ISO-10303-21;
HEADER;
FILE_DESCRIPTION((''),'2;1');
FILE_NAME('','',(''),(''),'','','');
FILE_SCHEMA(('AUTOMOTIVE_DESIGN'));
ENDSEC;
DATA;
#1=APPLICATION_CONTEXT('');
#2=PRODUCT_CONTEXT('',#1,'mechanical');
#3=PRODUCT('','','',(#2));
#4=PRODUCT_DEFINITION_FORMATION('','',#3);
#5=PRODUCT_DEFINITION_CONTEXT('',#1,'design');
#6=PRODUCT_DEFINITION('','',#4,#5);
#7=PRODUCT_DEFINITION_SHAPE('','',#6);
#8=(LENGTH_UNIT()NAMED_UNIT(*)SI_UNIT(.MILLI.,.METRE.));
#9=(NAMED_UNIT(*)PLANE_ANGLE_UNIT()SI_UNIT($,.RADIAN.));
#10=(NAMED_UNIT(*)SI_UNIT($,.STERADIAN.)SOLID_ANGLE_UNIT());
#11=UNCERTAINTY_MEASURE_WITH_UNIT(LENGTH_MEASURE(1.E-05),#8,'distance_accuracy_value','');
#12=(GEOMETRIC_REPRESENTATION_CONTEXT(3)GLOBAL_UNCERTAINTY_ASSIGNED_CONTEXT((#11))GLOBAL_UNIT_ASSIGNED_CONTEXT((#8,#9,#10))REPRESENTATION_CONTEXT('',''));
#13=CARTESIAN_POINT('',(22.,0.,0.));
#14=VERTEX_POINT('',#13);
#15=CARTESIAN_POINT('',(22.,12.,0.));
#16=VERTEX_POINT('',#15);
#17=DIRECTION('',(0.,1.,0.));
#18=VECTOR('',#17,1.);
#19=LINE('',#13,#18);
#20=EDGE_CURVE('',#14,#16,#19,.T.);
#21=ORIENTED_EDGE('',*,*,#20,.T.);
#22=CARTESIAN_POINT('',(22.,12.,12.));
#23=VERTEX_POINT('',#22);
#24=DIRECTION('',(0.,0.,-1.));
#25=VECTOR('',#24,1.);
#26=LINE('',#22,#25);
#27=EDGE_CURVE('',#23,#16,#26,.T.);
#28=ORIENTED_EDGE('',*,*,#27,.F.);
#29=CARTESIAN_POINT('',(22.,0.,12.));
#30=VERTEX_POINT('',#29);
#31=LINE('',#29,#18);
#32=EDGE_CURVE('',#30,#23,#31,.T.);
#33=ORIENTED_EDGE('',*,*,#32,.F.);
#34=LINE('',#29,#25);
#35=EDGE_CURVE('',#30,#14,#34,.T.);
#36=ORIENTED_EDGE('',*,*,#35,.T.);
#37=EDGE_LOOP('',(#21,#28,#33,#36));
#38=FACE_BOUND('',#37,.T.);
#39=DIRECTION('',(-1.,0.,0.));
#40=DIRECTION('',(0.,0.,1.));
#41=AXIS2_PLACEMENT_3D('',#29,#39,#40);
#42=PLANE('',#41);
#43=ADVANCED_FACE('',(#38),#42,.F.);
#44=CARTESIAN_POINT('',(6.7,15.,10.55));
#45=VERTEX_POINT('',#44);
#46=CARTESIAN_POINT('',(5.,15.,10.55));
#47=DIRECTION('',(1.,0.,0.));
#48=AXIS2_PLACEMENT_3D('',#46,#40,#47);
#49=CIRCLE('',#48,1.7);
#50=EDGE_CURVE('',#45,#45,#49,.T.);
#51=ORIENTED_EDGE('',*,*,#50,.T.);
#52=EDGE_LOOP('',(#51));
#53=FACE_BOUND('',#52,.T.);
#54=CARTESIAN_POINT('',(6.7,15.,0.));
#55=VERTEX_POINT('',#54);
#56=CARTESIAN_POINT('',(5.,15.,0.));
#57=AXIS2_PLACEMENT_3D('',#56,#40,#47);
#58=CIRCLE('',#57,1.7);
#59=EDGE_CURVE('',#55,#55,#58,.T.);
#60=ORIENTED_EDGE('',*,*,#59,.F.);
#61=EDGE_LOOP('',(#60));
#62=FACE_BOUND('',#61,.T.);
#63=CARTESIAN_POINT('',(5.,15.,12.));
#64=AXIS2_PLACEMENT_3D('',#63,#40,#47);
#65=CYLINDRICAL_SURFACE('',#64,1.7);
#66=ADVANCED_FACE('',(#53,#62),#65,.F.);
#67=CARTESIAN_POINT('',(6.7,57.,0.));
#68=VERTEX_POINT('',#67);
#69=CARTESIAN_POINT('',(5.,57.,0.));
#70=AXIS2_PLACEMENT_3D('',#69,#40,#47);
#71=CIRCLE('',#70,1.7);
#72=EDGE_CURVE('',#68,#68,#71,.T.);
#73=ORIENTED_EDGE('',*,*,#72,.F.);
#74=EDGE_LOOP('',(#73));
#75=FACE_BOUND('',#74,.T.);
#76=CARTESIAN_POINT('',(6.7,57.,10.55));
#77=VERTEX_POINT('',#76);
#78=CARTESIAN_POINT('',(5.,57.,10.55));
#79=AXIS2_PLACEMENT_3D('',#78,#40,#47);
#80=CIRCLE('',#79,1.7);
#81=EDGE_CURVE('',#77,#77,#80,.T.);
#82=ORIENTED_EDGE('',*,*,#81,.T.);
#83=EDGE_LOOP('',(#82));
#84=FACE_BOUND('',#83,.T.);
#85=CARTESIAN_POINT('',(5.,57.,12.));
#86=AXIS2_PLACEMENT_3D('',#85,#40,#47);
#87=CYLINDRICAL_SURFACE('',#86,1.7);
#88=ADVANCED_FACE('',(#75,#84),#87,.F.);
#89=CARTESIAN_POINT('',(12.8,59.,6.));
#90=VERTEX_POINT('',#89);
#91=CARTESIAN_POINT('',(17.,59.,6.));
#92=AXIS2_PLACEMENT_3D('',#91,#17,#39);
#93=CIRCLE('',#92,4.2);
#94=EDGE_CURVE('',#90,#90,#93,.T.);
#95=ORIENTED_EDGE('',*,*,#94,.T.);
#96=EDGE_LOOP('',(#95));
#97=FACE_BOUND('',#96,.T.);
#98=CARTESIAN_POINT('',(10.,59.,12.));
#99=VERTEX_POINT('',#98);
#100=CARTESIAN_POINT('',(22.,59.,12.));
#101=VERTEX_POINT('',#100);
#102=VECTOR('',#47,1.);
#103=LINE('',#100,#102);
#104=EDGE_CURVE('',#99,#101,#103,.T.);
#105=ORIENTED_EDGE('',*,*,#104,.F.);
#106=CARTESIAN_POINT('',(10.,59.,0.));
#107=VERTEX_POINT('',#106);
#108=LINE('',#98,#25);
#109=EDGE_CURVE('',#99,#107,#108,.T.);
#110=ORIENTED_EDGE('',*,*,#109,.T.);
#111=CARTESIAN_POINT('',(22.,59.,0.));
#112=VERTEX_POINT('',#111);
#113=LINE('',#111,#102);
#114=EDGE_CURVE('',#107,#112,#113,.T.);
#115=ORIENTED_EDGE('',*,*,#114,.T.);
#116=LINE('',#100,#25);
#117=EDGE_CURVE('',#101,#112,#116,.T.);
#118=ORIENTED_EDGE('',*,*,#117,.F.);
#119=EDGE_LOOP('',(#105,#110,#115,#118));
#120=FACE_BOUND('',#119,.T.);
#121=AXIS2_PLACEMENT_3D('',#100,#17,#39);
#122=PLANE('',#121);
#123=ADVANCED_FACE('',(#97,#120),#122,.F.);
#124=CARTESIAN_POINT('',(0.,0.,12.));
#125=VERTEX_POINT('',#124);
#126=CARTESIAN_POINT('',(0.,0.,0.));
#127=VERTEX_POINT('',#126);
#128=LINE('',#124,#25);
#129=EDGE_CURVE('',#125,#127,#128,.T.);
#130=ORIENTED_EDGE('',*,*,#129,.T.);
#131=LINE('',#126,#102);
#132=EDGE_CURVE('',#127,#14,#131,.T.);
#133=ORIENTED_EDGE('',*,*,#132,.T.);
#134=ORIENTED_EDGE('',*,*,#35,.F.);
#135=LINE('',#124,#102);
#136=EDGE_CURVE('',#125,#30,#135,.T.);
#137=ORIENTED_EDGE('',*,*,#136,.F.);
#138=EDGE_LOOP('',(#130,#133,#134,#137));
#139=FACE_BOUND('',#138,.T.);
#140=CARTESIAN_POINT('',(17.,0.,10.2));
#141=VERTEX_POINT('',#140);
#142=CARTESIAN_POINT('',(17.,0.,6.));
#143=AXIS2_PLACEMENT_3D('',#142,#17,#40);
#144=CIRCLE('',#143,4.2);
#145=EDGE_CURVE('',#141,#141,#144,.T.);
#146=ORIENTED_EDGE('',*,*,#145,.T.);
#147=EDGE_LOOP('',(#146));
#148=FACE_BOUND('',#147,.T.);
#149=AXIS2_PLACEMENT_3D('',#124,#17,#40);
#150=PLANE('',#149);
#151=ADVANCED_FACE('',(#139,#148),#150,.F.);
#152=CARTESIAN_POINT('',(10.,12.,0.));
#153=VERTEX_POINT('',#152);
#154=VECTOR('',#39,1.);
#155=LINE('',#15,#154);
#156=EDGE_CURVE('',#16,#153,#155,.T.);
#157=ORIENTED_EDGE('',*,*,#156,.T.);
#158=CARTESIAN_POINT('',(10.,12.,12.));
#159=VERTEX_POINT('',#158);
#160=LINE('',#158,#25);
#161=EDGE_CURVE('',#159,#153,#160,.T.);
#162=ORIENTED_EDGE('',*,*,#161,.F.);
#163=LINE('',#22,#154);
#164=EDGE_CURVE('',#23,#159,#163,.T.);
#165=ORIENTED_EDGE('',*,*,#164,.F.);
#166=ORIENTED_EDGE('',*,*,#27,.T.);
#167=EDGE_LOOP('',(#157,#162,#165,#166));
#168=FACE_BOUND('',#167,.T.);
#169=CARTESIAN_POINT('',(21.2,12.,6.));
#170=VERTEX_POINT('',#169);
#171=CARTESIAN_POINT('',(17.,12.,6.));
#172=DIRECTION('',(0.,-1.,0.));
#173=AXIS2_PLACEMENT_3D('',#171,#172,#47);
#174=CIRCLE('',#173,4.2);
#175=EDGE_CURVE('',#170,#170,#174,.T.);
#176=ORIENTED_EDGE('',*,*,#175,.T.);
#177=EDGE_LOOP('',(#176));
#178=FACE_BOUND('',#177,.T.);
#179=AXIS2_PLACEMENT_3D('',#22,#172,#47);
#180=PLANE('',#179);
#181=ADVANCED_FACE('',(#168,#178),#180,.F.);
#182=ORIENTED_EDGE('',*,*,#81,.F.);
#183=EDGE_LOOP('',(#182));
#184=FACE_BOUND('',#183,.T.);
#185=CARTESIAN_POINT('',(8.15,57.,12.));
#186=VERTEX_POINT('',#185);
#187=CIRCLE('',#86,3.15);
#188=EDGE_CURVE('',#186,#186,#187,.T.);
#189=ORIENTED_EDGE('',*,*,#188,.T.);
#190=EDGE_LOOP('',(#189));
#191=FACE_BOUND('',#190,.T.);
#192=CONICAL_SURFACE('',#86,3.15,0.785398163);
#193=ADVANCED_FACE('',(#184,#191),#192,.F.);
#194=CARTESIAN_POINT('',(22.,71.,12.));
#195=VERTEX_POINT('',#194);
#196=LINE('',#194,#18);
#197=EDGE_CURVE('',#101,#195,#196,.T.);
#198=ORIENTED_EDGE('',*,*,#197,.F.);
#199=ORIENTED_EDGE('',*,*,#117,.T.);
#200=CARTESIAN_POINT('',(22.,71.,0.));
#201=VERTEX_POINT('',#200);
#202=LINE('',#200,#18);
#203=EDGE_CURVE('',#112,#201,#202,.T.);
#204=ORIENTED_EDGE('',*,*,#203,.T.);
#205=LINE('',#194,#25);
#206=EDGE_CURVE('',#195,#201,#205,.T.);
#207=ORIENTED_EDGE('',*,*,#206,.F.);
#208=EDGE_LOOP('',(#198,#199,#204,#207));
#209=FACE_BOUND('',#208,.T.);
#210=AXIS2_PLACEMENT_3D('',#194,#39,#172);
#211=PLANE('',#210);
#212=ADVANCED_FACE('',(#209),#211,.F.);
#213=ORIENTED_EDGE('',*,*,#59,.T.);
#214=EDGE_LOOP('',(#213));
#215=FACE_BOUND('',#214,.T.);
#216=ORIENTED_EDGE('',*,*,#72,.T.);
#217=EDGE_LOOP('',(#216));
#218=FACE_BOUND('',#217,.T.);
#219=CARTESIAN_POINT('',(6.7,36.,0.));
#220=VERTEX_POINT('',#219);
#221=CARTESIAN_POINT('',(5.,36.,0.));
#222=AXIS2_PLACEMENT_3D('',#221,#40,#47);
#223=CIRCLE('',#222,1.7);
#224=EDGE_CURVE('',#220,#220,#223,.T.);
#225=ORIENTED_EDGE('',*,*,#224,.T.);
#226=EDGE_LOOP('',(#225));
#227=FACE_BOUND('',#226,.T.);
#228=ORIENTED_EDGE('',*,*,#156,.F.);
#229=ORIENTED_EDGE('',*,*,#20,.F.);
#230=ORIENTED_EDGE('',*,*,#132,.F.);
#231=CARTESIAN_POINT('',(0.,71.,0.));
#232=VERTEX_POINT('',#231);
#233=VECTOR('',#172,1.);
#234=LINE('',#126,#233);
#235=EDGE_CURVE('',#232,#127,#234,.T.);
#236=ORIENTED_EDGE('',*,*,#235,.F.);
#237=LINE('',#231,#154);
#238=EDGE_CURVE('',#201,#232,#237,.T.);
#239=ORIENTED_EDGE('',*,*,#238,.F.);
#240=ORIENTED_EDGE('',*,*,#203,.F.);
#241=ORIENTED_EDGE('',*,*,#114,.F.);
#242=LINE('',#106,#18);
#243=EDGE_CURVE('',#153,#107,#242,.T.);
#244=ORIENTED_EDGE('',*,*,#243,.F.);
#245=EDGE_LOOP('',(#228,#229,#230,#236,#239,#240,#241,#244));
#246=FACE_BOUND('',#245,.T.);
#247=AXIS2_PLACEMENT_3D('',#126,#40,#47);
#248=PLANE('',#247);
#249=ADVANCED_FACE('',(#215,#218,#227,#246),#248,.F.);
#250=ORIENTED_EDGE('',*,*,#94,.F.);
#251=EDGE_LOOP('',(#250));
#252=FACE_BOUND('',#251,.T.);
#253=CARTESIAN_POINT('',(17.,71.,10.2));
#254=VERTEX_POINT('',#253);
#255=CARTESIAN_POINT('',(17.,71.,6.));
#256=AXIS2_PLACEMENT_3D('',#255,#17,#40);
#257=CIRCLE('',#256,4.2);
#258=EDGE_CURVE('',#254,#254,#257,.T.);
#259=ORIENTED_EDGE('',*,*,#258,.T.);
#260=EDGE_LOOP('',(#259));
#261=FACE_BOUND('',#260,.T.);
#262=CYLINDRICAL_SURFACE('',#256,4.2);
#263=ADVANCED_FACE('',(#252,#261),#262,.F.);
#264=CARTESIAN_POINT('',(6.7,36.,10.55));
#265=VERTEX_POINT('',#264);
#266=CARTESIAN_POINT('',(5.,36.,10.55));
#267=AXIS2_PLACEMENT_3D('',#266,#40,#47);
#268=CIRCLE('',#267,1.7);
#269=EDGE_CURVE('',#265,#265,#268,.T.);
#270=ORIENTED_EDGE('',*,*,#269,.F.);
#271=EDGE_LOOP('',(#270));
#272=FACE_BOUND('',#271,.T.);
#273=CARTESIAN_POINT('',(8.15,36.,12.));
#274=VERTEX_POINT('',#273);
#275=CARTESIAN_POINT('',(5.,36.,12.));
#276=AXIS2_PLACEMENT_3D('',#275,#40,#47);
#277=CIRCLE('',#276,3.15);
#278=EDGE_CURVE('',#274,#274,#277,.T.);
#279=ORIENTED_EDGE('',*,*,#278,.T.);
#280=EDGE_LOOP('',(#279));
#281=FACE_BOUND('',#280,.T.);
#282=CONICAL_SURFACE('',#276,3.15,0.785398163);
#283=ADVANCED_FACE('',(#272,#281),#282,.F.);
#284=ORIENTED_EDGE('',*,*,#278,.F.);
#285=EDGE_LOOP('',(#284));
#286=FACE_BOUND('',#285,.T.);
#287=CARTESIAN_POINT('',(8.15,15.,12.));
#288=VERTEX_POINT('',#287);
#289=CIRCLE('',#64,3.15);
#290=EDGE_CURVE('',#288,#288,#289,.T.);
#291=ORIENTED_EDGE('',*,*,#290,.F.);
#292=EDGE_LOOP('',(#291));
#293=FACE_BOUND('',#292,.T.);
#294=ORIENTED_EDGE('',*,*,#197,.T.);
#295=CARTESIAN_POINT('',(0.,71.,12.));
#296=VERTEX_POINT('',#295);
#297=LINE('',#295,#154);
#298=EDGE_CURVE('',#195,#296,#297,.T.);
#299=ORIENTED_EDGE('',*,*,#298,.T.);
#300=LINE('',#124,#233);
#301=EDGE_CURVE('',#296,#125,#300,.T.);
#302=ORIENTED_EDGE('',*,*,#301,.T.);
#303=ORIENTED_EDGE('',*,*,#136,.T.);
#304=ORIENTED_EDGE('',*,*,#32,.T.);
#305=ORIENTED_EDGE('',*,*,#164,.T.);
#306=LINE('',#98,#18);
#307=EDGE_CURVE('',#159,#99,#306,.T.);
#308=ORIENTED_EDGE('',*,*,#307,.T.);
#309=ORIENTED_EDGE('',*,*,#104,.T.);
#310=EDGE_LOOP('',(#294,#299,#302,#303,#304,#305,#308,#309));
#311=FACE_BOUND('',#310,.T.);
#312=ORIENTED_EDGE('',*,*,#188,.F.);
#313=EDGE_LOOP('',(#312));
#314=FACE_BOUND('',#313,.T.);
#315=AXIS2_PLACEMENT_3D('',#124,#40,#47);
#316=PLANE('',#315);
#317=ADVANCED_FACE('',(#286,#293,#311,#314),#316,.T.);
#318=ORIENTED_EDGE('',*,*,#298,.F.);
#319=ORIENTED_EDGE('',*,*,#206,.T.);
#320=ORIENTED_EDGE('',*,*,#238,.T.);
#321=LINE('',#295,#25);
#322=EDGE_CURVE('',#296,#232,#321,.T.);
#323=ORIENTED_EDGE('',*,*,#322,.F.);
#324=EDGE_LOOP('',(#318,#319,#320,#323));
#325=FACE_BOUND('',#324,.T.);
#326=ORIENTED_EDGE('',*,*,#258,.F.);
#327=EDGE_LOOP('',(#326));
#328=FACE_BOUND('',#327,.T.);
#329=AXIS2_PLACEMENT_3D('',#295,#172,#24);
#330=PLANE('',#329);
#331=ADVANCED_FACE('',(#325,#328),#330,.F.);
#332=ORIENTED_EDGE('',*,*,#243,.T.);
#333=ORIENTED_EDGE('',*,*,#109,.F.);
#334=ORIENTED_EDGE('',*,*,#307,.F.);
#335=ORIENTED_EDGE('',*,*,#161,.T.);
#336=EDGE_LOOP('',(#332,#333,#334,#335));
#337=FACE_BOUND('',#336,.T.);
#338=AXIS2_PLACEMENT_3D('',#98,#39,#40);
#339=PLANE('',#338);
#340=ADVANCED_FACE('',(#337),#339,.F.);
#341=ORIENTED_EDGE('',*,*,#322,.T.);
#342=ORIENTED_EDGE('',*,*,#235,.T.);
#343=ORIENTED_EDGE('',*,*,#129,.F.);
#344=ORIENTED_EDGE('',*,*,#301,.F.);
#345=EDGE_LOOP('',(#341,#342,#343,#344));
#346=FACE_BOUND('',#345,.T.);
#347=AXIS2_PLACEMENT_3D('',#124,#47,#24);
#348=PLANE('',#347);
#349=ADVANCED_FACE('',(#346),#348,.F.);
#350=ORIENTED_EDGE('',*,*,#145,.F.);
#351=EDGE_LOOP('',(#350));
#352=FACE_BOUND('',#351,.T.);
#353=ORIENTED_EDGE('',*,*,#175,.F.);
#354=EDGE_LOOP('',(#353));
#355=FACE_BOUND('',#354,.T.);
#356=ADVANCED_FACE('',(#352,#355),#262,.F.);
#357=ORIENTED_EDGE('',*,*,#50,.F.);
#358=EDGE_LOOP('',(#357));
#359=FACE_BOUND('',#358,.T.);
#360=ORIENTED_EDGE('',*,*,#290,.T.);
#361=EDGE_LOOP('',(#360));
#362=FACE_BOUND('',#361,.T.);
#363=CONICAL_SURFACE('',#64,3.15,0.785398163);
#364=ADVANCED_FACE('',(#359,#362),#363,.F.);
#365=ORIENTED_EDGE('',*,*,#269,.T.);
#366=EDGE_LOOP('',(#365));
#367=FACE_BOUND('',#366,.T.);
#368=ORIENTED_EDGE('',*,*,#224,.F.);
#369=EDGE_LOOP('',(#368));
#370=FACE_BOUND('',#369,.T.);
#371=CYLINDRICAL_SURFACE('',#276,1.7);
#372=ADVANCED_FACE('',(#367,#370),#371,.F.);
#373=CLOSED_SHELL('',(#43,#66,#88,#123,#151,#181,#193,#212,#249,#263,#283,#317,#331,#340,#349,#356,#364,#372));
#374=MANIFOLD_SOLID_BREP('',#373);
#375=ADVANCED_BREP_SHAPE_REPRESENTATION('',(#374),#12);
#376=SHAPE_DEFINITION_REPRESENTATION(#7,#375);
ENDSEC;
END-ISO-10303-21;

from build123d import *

# Parameters (mm, degrees)
AUFSATZ_LINEAR_AUSTRAGEN1_DEPTH                      = 12
FORMSENKUNG_F_R_M3_LINSENSENKSCHRAUBE_MI_D           = 3.4
FORMSENKUNG_F_R_M3_LINSENSENKSCHRAUBE_MI_CSINK_D     = 6.3
FORMSENKUNG_F_R_M3_LINSENSENKSCHRAUBE_MI_CSINK_ANGLE = 90
F_8_4_8_4_DURCHMESSER_BOHRUNG3_D                     = 8.4


with BuildPart() as part:
    # Skizze1 → Aufsatz-Linear austragen1 (new body)
    with BuildSketch(Plane.XY):
        Polygon((0, 0), (0, 71), (22, 71), (22, 59), (10, 59), (10, 12), (22, 12), (22, 0), align=None)
    extrude(amount=AUFSATZ_LINEAR_AUSTRAGEN1_DEPTH)

    # Formsenkung für M3 Linsensenkschraube mit Schlitz2 (through all)
    with Locations(Plane.XY.offset(12)):
        with Locations((5, 57), (5, 36), (5, 15)):
            CounterSinkHole(FORMSENKUNG_F_R_M3_LINSENSENKSCHRAUBE_MI_D / 2, FORMSENKUNG_F_R_M3_LINSENSENKSCHRAUBE_MI_CSINK_D / 2, counter_sink_angle=FORMSENKUNG_F_R_M3_LINSENSENKSCHRAUBE_MI_CSINK_ANGLE)

    # Ø8.4 (8.4) Durchmesser Bohrung3 (through all)
    with Locations(Plane(origin=(0, 71, 0), x_dir=(1, 0, 0), z_dir=(0, 1, 0))):
        with Locations((17, -6)):
            Hole(F_8_4_8_4_DURCHMESSER_BOHRUNG3_D / 2)


solid = part.part
